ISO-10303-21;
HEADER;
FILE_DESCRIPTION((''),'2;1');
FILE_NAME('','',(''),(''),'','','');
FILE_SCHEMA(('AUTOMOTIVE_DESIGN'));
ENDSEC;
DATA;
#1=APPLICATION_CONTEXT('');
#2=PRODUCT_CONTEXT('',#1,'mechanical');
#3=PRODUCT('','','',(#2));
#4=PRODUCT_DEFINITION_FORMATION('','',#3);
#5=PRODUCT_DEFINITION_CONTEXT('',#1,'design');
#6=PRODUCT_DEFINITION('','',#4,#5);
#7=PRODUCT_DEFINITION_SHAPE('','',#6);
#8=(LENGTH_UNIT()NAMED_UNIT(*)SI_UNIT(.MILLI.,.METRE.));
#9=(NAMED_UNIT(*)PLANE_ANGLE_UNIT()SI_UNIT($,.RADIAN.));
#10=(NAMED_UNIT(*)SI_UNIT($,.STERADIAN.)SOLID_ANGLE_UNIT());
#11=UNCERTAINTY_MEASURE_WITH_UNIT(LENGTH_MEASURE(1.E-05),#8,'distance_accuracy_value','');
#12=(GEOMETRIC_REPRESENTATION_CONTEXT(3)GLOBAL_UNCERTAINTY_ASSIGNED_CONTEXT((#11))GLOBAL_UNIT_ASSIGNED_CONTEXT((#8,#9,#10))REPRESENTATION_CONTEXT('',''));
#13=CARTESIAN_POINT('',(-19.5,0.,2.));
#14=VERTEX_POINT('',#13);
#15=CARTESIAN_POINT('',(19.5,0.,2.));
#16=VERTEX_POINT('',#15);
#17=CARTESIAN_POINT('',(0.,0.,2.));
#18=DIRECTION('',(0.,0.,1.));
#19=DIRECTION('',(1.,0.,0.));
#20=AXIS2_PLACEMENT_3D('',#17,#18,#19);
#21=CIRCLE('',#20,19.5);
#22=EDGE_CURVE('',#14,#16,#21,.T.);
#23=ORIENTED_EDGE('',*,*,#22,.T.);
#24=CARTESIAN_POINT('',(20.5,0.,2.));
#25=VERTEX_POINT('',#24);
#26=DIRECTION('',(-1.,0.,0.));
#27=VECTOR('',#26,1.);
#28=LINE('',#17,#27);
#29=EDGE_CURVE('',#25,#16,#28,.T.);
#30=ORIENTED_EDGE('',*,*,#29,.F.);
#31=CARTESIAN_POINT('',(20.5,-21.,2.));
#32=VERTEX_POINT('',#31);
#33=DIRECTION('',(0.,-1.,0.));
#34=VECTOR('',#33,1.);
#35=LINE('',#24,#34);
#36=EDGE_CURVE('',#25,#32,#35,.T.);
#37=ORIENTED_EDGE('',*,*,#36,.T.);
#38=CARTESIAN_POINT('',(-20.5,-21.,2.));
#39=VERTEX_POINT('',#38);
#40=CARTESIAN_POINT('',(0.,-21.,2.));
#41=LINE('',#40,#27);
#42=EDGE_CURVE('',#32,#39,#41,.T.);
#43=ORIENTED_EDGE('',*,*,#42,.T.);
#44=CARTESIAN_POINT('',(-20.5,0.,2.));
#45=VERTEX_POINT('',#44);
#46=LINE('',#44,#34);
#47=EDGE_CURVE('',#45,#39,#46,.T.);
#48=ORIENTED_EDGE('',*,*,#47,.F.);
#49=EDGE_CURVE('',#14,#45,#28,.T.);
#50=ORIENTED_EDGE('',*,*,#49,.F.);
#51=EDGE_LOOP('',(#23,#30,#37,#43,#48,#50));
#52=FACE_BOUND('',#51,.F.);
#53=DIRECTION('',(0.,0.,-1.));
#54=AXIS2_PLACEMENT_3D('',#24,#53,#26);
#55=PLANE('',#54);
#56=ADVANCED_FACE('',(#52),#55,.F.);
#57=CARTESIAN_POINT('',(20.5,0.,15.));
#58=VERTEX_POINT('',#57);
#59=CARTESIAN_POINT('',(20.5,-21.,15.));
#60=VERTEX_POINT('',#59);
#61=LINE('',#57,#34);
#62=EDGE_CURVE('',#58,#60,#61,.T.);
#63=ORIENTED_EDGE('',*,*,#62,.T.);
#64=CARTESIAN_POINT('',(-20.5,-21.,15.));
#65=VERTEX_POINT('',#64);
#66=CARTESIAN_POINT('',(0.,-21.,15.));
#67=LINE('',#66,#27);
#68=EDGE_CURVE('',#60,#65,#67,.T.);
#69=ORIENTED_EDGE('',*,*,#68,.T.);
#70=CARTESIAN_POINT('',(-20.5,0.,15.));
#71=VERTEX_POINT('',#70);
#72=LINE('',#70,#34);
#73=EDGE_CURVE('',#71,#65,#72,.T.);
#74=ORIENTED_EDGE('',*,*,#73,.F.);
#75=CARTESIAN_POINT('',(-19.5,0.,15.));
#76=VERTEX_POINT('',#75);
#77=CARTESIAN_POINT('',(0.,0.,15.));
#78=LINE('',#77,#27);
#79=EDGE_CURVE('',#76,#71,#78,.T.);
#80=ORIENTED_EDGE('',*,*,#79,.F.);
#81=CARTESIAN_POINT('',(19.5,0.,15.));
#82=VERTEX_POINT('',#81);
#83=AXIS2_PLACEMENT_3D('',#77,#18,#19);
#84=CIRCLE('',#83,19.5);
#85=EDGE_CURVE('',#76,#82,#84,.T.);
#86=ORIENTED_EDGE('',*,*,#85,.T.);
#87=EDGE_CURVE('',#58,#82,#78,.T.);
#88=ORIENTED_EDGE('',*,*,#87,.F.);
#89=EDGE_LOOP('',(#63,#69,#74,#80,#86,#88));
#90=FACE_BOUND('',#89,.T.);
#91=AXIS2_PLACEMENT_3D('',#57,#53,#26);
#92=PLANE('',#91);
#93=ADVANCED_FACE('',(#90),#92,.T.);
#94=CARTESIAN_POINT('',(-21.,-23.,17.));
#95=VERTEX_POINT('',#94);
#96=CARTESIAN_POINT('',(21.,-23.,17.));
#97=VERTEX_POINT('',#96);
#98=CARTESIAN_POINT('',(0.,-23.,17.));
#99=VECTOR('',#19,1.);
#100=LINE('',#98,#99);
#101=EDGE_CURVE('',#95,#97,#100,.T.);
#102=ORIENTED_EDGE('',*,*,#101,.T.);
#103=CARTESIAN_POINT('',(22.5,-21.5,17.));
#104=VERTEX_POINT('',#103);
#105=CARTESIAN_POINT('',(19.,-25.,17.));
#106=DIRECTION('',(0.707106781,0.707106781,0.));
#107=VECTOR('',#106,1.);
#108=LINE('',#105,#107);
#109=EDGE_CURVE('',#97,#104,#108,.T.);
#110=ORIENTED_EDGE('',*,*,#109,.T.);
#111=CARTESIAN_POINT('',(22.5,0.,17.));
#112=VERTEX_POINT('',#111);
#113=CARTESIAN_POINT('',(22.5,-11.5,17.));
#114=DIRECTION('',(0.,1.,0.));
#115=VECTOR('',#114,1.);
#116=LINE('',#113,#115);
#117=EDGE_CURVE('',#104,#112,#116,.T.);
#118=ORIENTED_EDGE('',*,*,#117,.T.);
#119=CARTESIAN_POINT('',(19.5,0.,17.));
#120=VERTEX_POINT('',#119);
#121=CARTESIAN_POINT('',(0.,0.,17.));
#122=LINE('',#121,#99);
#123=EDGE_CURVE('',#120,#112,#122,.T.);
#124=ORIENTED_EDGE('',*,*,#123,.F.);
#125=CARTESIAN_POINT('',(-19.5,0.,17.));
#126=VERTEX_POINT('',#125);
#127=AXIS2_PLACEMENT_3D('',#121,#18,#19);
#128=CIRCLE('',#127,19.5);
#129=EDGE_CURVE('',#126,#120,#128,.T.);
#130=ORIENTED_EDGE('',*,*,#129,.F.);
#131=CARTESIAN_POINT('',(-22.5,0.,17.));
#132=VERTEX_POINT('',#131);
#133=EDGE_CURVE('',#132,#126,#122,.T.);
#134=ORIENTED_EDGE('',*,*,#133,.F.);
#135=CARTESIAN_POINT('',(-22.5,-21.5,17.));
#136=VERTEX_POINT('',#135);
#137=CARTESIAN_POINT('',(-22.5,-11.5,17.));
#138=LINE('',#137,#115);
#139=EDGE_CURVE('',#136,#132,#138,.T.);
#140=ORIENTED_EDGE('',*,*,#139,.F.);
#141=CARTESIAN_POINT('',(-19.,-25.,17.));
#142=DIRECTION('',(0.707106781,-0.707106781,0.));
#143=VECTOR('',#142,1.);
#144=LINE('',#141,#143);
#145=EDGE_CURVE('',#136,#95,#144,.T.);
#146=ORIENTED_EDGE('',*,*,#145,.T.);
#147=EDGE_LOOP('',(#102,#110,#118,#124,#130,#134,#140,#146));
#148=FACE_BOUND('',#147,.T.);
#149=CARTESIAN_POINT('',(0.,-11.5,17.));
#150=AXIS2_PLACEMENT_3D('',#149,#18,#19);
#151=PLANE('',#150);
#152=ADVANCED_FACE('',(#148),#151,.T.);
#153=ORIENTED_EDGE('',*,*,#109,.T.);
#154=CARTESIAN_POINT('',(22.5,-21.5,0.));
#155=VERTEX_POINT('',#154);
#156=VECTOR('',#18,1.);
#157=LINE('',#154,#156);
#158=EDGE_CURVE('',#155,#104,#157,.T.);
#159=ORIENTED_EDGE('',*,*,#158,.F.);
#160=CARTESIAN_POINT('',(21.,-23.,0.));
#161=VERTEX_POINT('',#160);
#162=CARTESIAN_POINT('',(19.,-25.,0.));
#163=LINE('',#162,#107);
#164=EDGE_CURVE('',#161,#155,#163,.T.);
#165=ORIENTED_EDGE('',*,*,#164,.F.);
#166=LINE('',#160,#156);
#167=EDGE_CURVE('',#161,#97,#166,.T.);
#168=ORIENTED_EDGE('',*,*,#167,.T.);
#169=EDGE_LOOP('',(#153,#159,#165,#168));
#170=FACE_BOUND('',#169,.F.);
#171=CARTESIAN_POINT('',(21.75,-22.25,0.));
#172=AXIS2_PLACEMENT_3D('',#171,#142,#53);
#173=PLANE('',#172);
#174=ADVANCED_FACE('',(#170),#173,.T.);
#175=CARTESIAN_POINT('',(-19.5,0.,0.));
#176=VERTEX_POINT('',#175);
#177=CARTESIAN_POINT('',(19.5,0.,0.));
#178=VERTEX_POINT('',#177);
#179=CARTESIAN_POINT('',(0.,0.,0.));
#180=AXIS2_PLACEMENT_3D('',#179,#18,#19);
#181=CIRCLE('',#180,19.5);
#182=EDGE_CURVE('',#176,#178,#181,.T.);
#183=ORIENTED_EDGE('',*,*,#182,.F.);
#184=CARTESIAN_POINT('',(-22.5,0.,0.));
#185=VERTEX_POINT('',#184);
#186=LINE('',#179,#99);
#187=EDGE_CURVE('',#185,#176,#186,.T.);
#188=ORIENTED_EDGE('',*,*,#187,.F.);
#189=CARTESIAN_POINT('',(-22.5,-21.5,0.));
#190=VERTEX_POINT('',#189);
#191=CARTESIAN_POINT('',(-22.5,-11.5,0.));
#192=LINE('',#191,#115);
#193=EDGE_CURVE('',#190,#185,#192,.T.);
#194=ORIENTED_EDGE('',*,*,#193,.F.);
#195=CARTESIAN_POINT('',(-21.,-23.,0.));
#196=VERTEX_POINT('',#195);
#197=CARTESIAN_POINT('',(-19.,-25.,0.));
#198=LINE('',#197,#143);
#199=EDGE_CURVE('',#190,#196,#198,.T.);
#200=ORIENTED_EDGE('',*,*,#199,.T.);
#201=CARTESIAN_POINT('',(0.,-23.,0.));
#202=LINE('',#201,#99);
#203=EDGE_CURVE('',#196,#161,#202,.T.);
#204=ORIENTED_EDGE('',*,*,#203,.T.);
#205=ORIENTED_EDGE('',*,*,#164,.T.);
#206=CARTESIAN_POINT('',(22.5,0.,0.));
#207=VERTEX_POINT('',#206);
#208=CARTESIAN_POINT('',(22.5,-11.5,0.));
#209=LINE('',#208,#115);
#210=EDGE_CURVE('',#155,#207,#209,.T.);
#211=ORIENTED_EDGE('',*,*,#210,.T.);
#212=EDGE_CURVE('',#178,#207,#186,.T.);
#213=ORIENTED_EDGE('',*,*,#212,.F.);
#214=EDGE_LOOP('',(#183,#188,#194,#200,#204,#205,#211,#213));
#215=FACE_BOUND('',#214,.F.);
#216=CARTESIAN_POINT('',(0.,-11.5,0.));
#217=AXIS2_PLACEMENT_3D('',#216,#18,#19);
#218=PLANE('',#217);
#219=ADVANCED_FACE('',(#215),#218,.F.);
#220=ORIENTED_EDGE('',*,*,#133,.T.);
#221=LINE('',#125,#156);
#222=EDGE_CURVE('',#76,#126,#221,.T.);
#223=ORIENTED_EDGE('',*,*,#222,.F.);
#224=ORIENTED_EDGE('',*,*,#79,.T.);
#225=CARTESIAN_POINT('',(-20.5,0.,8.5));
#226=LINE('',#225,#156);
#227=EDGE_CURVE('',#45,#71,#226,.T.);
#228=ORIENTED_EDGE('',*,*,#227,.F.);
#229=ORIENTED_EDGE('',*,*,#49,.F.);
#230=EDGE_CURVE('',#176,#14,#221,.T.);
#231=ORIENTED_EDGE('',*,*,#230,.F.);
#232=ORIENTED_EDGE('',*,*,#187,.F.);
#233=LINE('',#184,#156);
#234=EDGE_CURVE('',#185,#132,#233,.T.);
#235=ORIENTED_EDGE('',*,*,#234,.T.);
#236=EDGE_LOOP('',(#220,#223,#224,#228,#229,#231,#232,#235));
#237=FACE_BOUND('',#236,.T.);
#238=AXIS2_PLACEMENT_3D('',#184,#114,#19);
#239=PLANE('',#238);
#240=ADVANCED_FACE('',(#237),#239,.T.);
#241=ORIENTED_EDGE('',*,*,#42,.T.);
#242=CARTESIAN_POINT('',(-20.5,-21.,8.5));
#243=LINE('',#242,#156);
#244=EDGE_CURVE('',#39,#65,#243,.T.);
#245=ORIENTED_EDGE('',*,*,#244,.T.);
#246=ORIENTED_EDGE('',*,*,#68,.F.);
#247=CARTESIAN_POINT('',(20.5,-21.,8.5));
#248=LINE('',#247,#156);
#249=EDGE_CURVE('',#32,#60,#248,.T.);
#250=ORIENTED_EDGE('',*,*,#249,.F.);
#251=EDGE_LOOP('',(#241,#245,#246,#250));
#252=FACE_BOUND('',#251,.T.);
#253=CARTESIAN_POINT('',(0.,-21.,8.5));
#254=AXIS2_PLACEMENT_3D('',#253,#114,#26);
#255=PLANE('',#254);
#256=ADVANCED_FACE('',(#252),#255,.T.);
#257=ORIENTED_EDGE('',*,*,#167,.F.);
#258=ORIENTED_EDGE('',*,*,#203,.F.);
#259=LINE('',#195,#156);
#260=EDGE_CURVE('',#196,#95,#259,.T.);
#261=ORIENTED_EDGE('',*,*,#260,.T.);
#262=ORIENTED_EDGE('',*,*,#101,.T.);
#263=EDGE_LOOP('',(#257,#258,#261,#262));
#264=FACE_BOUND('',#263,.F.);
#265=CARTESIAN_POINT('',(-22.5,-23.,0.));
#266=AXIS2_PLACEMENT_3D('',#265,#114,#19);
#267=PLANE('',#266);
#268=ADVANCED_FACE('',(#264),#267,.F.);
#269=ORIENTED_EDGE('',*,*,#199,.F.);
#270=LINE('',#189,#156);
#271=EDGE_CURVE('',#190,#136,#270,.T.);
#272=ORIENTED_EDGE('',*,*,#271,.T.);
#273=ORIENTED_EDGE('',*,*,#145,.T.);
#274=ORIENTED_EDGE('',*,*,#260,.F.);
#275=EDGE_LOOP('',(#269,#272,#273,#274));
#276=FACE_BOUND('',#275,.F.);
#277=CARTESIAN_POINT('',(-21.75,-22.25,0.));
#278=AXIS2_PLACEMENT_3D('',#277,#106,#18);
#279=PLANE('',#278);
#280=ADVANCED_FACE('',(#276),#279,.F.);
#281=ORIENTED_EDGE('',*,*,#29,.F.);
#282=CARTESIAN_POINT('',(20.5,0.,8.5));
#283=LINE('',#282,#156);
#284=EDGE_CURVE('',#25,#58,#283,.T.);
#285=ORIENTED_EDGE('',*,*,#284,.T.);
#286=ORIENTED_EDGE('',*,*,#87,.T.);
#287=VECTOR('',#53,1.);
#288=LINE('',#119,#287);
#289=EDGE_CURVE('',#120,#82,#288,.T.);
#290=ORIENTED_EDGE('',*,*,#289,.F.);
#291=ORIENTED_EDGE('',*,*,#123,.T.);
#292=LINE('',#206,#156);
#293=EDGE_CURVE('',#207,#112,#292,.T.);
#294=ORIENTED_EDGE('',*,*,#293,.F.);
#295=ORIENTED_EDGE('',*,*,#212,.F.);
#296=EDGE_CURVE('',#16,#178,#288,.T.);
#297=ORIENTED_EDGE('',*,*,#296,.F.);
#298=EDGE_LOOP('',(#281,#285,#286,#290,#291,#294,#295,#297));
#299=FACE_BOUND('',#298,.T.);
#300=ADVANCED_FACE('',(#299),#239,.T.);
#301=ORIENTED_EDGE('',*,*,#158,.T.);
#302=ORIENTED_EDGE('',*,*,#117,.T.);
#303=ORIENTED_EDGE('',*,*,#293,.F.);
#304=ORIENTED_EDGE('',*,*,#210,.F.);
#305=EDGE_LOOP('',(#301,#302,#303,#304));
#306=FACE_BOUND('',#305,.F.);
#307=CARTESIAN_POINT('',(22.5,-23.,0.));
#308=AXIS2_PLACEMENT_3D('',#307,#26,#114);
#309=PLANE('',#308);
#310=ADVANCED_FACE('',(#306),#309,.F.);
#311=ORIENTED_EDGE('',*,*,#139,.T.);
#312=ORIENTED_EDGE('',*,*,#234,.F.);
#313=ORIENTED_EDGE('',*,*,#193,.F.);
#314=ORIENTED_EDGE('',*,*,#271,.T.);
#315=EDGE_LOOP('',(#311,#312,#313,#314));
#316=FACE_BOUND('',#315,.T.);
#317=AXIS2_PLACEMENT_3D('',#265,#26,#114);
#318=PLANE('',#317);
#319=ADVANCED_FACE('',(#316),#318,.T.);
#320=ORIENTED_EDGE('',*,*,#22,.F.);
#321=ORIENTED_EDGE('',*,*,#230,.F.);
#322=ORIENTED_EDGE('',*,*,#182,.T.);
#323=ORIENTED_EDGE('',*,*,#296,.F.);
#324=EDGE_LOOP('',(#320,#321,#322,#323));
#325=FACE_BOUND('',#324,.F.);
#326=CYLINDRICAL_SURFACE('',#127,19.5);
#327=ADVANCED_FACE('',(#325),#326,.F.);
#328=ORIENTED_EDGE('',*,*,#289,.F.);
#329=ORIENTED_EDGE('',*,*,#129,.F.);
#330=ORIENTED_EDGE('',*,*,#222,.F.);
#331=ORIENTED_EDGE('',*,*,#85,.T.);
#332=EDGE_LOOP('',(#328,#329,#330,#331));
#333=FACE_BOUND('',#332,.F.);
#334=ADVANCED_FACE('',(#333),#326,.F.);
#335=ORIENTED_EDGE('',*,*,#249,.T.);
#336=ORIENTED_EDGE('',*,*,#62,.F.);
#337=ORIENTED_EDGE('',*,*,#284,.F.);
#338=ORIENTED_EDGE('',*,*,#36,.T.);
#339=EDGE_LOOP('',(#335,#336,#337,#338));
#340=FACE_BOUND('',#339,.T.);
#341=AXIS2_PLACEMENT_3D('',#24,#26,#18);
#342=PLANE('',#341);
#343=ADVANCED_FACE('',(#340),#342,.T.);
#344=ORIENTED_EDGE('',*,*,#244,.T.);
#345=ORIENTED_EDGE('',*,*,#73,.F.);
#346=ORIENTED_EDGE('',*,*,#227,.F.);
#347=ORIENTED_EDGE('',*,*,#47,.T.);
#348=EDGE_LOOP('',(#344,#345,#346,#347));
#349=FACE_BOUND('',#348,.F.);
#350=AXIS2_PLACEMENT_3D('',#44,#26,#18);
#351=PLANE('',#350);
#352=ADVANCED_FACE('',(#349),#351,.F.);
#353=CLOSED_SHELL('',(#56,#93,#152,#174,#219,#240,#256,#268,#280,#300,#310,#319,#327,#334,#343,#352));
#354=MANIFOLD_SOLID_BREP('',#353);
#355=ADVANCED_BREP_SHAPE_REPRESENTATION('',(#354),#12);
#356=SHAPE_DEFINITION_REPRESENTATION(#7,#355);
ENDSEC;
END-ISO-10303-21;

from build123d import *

# Parameters (mm, degrees)
SKETCH001_W     = 45
SKETCH001_H     = 23
PAD001_DEPTH    = 17
SKETCH002_W     = 41
SKETCH002_H     = 13
POCKET_DEPTH    = 21
SKETCH003_R     = 19.5
POCKET001_DEPTH = 17.001
CHAMFER_SIZE    = 1.5


with BuildPart() as part:
    # Sketch001 → Pad001 (new body)
    with BuildSketch(Plane.XY):
        with Locations((0, -11.5)):
            Rectangle(SKETCH001_W, SKETCH001_H)
    extrude(amount=PAD001_DEPTH)

    # Sketch002 (on Face1 of Pad001) → Pocket (cut)
    with BuildSketch(Plane(origin=(0, 0, 0), x_dir=(-1, 0, 0), z_dir=(0, 1, 0))):
        with Locations((0, 8.5)):
            Rectangle(SKETCH002_W, SKETCH002_H)
    extrude(amount=-POCKET_DEPTH, mode=Mode.SUBTRACT)

    # Sketch003 (on Face4 of Pocket) → Pocket001 (cut, through all)
    with BuildSketch(Plane.XY.offset(17)):
        Circle(SKETCH003_R)
    extrude(amount=-POCKET001_DEPTH, mode=Mode.SUBTRACT)

    # Chamfer
    chamfer_edges = [part.edges().sort_by_distance(p)[0] for p in [
        (-22.5, -23, 8.5),
        (22.5, -23, 8.5),
    ]]
    chamfer(chamfer_edges, length=CHAMFER_SIZE)


solid = part.part
